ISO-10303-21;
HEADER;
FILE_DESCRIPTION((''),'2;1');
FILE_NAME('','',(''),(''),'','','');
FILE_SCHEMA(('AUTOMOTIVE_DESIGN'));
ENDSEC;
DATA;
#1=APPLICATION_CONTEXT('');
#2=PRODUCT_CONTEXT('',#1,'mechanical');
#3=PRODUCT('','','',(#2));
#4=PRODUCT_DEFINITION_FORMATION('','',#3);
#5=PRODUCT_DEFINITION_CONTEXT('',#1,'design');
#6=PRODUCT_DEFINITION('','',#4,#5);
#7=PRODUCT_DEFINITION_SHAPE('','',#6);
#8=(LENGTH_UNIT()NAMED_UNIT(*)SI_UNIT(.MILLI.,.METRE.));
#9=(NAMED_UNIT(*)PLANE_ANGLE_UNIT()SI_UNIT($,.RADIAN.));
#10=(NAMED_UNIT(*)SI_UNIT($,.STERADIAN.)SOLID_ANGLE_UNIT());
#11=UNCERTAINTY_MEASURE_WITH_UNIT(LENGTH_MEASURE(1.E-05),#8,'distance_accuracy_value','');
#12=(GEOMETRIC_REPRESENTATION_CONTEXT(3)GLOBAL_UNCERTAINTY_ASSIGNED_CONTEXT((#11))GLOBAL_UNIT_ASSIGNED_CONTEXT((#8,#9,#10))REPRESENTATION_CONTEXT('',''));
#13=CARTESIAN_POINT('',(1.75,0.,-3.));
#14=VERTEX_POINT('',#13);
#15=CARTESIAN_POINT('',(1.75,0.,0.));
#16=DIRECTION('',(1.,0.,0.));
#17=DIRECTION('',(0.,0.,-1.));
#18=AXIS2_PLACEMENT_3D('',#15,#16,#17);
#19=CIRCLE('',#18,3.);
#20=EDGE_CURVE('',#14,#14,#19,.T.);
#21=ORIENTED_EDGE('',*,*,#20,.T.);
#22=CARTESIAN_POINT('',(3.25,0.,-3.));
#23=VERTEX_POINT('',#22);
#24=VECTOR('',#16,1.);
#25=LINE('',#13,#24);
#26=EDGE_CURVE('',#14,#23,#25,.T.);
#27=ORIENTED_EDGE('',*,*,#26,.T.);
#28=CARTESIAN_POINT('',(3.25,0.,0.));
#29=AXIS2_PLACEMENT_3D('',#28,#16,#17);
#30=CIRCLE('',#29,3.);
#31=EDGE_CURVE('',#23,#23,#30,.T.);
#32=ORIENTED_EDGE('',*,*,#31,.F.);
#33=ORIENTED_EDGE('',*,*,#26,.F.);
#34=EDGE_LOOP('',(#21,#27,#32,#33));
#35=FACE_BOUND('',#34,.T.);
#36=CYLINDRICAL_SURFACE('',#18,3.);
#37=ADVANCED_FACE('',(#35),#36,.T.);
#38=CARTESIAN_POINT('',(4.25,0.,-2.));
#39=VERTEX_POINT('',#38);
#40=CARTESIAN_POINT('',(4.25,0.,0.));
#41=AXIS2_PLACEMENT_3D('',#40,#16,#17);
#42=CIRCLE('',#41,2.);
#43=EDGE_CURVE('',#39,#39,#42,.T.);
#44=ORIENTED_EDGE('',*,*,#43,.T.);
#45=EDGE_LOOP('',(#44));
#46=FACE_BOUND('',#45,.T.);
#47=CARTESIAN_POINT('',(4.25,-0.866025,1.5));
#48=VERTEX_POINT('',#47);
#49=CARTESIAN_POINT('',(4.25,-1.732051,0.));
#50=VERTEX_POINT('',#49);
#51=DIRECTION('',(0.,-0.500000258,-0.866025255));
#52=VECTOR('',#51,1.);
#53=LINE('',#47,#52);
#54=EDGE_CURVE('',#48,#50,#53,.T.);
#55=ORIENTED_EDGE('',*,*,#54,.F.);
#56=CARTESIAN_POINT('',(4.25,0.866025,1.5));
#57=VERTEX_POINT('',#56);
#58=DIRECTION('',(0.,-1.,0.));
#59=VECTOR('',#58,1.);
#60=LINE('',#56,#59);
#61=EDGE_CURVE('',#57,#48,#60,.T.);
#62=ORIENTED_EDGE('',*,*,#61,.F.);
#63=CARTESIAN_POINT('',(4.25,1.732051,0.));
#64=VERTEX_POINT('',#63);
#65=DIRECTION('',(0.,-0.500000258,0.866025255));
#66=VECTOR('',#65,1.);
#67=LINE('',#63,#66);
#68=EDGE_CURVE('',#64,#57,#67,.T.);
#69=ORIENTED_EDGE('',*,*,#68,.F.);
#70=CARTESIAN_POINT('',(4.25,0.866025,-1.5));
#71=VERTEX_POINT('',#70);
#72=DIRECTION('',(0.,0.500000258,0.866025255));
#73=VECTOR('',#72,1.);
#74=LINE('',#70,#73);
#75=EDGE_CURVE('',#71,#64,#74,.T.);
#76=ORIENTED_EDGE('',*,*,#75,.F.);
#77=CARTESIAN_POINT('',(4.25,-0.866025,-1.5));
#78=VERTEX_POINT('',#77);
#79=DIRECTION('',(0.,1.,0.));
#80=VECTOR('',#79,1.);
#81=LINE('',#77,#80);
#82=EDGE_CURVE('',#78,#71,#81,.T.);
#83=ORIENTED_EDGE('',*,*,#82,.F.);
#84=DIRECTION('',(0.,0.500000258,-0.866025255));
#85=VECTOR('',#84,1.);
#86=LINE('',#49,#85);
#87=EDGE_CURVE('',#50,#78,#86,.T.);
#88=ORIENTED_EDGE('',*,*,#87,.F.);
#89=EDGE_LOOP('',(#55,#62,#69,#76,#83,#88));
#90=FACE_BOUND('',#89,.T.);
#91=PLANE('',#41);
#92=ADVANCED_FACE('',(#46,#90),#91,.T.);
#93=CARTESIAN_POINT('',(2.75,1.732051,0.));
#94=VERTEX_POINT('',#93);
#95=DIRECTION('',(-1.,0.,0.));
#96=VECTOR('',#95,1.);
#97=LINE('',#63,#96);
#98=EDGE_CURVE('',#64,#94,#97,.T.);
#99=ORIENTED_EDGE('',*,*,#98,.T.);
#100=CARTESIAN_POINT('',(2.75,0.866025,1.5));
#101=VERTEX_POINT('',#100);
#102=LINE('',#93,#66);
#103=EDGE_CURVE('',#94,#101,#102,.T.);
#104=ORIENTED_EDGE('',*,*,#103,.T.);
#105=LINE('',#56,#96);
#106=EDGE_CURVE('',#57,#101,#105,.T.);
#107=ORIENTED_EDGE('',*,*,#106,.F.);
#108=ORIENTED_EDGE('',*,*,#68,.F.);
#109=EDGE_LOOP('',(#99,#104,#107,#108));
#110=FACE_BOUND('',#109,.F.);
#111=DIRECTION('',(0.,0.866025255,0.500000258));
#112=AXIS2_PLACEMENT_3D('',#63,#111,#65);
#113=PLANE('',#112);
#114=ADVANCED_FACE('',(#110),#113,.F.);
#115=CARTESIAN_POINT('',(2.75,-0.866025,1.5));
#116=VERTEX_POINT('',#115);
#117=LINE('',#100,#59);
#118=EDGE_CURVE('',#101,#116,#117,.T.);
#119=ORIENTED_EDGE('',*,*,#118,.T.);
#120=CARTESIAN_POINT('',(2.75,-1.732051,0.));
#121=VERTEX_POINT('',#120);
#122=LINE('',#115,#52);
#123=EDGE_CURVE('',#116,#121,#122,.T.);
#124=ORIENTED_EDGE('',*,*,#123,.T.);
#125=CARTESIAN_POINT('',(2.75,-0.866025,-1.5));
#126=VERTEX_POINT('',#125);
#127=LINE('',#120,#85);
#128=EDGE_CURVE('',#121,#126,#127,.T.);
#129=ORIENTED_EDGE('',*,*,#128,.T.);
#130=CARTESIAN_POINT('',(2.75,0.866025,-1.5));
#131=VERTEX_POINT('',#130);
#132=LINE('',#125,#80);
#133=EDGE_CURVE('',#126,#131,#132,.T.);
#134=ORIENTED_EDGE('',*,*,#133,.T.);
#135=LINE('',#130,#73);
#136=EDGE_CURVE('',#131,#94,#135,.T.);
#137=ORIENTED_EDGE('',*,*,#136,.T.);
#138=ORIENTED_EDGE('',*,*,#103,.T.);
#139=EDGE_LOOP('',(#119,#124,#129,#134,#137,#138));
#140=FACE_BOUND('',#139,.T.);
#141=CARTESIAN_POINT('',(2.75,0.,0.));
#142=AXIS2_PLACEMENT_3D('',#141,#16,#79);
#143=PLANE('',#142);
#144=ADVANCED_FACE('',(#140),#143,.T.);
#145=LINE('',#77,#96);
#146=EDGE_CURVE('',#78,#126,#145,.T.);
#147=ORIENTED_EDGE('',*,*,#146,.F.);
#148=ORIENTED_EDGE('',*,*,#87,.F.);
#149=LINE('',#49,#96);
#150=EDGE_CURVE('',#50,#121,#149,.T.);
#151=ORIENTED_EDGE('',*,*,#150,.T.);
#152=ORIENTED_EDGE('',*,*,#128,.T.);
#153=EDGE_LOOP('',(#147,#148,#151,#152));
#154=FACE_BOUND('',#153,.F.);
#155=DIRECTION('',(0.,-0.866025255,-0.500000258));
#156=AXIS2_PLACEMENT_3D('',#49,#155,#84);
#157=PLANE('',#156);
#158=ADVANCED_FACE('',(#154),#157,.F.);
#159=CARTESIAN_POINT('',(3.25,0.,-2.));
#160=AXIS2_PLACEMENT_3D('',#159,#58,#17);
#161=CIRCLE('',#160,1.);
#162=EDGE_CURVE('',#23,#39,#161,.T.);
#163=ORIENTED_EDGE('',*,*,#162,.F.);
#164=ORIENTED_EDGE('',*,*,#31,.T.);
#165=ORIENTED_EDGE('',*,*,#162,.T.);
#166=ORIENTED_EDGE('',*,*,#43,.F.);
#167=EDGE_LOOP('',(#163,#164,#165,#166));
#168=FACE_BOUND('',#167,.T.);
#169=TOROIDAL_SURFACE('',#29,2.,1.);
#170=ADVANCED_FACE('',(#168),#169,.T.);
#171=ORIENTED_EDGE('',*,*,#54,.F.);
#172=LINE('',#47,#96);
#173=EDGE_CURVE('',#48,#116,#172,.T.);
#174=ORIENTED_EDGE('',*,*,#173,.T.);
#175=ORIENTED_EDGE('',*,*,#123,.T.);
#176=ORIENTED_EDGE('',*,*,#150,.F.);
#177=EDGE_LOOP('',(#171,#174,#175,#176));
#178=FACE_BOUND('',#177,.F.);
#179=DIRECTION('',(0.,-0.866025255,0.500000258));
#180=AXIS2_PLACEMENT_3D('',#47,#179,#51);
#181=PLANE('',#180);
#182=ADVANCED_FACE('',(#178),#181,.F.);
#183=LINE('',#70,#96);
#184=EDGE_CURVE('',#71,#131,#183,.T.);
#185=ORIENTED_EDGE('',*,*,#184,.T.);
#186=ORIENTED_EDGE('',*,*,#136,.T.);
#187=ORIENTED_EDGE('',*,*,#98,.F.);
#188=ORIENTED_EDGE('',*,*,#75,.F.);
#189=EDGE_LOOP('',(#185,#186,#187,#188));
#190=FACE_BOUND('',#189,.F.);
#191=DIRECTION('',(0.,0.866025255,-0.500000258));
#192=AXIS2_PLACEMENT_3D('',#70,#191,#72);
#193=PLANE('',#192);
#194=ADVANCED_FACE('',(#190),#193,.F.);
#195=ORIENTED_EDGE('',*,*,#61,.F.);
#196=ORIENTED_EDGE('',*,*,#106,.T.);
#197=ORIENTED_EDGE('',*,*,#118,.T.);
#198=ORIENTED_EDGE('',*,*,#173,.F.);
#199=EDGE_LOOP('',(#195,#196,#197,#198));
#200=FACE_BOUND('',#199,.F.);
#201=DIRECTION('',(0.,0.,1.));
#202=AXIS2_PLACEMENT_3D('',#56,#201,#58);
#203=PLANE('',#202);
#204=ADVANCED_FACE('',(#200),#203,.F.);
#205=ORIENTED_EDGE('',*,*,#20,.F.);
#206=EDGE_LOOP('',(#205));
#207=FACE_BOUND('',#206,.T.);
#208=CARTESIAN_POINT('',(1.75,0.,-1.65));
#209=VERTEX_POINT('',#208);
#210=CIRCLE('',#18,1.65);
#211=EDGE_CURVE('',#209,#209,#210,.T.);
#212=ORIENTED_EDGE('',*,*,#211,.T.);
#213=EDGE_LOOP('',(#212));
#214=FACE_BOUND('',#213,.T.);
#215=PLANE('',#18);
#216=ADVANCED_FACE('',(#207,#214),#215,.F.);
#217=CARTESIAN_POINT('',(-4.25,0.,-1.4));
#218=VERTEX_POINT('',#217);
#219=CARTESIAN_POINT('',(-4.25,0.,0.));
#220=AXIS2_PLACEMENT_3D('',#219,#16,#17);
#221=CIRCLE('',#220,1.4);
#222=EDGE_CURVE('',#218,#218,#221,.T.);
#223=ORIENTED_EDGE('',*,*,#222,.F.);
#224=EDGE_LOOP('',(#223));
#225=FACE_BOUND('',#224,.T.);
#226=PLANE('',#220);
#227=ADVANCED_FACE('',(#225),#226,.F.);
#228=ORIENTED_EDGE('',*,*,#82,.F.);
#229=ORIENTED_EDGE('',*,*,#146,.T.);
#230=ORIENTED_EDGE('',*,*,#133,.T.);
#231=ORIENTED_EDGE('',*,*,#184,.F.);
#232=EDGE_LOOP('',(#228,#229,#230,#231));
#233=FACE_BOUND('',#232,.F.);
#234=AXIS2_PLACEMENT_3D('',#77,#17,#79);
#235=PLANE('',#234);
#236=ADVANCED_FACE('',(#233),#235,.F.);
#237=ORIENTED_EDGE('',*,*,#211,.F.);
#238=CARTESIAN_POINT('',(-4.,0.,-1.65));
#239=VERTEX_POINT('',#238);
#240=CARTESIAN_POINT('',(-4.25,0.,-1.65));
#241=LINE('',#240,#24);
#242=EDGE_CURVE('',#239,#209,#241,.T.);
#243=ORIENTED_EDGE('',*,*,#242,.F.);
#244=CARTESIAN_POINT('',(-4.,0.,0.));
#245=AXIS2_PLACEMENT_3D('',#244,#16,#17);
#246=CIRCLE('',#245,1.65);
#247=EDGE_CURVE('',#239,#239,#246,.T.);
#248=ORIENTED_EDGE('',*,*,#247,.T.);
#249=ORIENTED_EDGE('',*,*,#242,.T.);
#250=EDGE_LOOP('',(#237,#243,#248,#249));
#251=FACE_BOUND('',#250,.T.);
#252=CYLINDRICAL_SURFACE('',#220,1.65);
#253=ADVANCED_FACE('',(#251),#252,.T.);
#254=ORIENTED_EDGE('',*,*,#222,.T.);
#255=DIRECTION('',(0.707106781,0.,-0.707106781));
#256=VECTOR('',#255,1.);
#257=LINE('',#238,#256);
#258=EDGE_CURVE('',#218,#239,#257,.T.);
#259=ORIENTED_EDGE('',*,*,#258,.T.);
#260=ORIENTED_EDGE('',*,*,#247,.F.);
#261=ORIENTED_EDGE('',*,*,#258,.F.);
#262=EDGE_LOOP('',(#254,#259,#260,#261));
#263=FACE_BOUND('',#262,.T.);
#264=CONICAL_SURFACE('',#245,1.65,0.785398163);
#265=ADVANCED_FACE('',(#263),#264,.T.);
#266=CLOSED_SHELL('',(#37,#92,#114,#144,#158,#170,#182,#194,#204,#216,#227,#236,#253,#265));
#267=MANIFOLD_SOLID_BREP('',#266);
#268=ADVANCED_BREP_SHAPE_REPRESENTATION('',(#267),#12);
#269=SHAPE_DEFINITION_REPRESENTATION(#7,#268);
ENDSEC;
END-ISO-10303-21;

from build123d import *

# Parameters (mm, degrees)
F2_SIZE2 = 0.25
F2_SIZE  = 0.25
F3_R     = 1
F5_DEPTH = 1.5


with BuildPart() as f1:
    # F0 (on Front) → F1 (revolve)
    with BuildSketch(Plane.XZ):
        Polygon((4.25, 0), (-4.25, 0), (-4.25, -1.65), (1.75, -1.65), (1.75, -3), (4.25, -3), align=None)
    revolve(axis=Axis((4.160319, 0, 0), (1, 0, 0)))

    # F2
    f2_edges = [f1.edges().sort_by_distance(p)[0] for p in [
        (-4.25, 0, 1.65),
    ]]
    chamfer(f2_edges, length=F2_SIZE, length2=F2_SIZE2)

    # F3
    f3_edges = [f1.edges().sort_by_distance(p)[0] for p in [
        (4.25, 0, 3),
    ]]
    fillet(f3_edges, radius=F3_R)

    # F4 (on face) → F5 (cut)
    with BuildSketch(Plane.YZ.offset(4.25)):
        Polygon((0.866025, 1.5), (-0.866025, 1.5), (-1.732051, 0), (-0.866025, -1.5), (0.866025, -1.5), (1.732051, 0), align=None)
    extrude(amount=-F5_DEPTH, mode=Mode.SUBTRACT)


solid = f1.part
